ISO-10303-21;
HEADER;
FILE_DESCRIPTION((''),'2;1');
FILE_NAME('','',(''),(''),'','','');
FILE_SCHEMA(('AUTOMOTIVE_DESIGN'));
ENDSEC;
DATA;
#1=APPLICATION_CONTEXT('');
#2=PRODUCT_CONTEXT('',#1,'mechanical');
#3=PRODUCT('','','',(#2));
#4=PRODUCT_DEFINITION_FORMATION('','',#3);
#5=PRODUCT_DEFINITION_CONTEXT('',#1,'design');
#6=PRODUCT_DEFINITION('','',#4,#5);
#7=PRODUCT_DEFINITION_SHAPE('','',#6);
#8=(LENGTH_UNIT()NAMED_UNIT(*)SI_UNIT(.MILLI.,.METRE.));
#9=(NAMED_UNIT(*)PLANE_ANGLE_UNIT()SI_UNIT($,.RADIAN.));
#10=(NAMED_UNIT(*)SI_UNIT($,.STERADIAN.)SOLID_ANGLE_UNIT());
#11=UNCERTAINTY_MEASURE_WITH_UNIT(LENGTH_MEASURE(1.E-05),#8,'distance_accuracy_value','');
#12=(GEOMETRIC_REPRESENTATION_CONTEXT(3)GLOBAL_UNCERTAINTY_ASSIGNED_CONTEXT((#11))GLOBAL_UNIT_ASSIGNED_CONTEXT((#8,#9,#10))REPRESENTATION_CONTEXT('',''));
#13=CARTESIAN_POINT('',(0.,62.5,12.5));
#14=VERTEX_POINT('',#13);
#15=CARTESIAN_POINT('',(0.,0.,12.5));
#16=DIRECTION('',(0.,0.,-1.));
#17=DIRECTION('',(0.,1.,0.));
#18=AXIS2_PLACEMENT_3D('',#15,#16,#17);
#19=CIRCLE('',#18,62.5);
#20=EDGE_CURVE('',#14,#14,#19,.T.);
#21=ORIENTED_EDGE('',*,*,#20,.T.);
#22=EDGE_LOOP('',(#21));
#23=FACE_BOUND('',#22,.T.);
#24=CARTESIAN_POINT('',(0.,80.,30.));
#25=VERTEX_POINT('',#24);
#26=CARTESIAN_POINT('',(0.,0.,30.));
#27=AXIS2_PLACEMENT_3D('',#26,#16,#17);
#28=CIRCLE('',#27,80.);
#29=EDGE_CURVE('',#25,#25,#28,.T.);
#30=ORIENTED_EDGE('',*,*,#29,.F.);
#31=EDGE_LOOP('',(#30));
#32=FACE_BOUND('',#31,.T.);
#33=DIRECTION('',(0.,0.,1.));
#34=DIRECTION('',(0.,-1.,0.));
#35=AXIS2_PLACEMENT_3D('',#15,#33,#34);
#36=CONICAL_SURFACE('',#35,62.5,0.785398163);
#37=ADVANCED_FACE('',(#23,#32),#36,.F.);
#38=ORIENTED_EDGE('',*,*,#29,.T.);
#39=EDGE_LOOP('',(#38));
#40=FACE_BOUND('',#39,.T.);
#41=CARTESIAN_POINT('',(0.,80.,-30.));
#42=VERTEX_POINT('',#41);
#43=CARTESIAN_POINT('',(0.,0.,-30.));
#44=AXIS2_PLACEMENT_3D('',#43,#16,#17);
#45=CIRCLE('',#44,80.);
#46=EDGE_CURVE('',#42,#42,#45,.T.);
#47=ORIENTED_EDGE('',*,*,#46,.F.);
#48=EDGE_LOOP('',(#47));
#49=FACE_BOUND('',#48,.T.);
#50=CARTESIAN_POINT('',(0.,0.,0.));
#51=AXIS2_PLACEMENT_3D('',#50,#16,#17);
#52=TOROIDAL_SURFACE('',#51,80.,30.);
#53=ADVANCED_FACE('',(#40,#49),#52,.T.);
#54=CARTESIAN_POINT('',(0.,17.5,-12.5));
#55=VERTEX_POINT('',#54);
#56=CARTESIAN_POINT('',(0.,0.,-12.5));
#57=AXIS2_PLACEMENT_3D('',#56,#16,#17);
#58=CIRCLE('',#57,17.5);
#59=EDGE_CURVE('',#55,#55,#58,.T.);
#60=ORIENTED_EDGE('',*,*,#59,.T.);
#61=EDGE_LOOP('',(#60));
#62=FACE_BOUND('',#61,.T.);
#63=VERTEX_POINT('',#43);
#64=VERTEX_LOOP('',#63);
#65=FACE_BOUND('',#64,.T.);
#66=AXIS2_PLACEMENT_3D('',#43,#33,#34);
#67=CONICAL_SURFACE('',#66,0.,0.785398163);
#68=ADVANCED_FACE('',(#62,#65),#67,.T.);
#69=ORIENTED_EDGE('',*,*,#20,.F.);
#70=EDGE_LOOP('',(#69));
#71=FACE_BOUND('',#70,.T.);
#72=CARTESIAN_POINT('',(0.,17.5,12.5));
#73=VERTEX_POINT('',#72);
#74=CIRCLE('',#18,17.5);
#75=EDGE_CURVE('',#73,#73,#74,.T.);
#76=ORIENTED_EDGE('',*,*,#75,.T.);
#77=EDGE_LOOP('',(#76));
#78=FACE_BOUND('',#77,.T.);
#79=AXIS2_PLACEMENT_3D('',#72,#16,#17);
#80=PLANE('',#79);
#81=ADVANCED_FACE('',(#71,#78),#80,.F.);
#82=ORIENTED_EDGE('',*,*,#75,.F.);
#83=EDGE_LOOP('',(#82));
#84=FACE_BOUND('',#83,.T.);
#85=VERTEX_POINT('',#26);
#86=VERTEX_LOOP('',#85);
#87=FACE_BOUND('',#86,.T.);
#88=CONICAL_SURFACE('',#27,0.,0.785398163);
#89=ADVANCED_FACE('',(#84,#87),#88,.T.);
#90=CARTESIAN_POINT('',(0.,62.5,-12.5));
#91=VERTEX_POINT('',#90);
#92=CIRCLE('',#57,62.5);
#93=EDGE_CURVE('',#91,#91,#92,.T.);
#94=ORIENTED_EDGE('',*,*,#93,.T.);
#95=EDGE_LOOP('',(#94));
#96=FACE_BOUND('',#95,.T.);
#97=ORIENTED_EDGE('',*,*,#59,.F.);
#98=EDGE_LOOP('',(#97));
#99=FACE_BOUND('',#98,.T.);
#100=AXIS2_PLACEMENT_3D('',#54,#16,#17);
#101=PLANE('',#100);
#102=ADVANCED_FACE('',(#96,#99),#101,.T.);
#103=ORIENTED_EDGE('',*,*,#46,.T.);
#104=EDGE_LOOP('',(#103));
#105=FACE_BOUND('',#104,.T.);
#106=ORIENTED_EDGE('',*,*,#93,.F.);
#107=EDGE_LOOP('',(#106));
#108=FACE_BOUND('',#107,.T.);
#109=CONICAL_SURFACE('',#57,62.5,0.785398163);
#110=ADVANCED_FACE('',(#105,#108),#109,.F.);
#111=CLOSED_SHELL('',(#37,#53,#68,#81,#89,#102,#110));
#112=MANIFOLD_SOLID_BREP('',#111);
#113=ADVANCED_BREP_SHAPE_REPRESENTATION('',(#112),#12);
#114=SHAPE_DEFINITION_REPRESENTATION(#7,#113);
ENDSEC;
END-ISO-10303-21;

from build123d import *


with BuildPart() as part:
    # Sketch2 → Revolve1 (revolve)
    with BuildSketch(Plane(origin=(0, 0, 0), x_dir=(0, 0, -1), z_dir=(1, 0, 0))):
        with BuildLine():
            Line((30, 0), (-30, 0))
            Line((-30, 0), (-12.5, 17.5))
            Line((-12.5, 17.5), (-12.5, 62.5))
            Line((-12.5, 62.5), (-30, 80))
            ThreePointArc((-30, 80), (0, 110), (30, 80))
            Line((30, 80), (12.5, 62.5))
            Line((12.5, 62.5), (12.5, 17.5))
            Line((12.5, 17.5), (30, 0))
        make_face()
    revolve(axis=Axis((0, 0, -30), (0, 0, 1)))


solid = part.part
